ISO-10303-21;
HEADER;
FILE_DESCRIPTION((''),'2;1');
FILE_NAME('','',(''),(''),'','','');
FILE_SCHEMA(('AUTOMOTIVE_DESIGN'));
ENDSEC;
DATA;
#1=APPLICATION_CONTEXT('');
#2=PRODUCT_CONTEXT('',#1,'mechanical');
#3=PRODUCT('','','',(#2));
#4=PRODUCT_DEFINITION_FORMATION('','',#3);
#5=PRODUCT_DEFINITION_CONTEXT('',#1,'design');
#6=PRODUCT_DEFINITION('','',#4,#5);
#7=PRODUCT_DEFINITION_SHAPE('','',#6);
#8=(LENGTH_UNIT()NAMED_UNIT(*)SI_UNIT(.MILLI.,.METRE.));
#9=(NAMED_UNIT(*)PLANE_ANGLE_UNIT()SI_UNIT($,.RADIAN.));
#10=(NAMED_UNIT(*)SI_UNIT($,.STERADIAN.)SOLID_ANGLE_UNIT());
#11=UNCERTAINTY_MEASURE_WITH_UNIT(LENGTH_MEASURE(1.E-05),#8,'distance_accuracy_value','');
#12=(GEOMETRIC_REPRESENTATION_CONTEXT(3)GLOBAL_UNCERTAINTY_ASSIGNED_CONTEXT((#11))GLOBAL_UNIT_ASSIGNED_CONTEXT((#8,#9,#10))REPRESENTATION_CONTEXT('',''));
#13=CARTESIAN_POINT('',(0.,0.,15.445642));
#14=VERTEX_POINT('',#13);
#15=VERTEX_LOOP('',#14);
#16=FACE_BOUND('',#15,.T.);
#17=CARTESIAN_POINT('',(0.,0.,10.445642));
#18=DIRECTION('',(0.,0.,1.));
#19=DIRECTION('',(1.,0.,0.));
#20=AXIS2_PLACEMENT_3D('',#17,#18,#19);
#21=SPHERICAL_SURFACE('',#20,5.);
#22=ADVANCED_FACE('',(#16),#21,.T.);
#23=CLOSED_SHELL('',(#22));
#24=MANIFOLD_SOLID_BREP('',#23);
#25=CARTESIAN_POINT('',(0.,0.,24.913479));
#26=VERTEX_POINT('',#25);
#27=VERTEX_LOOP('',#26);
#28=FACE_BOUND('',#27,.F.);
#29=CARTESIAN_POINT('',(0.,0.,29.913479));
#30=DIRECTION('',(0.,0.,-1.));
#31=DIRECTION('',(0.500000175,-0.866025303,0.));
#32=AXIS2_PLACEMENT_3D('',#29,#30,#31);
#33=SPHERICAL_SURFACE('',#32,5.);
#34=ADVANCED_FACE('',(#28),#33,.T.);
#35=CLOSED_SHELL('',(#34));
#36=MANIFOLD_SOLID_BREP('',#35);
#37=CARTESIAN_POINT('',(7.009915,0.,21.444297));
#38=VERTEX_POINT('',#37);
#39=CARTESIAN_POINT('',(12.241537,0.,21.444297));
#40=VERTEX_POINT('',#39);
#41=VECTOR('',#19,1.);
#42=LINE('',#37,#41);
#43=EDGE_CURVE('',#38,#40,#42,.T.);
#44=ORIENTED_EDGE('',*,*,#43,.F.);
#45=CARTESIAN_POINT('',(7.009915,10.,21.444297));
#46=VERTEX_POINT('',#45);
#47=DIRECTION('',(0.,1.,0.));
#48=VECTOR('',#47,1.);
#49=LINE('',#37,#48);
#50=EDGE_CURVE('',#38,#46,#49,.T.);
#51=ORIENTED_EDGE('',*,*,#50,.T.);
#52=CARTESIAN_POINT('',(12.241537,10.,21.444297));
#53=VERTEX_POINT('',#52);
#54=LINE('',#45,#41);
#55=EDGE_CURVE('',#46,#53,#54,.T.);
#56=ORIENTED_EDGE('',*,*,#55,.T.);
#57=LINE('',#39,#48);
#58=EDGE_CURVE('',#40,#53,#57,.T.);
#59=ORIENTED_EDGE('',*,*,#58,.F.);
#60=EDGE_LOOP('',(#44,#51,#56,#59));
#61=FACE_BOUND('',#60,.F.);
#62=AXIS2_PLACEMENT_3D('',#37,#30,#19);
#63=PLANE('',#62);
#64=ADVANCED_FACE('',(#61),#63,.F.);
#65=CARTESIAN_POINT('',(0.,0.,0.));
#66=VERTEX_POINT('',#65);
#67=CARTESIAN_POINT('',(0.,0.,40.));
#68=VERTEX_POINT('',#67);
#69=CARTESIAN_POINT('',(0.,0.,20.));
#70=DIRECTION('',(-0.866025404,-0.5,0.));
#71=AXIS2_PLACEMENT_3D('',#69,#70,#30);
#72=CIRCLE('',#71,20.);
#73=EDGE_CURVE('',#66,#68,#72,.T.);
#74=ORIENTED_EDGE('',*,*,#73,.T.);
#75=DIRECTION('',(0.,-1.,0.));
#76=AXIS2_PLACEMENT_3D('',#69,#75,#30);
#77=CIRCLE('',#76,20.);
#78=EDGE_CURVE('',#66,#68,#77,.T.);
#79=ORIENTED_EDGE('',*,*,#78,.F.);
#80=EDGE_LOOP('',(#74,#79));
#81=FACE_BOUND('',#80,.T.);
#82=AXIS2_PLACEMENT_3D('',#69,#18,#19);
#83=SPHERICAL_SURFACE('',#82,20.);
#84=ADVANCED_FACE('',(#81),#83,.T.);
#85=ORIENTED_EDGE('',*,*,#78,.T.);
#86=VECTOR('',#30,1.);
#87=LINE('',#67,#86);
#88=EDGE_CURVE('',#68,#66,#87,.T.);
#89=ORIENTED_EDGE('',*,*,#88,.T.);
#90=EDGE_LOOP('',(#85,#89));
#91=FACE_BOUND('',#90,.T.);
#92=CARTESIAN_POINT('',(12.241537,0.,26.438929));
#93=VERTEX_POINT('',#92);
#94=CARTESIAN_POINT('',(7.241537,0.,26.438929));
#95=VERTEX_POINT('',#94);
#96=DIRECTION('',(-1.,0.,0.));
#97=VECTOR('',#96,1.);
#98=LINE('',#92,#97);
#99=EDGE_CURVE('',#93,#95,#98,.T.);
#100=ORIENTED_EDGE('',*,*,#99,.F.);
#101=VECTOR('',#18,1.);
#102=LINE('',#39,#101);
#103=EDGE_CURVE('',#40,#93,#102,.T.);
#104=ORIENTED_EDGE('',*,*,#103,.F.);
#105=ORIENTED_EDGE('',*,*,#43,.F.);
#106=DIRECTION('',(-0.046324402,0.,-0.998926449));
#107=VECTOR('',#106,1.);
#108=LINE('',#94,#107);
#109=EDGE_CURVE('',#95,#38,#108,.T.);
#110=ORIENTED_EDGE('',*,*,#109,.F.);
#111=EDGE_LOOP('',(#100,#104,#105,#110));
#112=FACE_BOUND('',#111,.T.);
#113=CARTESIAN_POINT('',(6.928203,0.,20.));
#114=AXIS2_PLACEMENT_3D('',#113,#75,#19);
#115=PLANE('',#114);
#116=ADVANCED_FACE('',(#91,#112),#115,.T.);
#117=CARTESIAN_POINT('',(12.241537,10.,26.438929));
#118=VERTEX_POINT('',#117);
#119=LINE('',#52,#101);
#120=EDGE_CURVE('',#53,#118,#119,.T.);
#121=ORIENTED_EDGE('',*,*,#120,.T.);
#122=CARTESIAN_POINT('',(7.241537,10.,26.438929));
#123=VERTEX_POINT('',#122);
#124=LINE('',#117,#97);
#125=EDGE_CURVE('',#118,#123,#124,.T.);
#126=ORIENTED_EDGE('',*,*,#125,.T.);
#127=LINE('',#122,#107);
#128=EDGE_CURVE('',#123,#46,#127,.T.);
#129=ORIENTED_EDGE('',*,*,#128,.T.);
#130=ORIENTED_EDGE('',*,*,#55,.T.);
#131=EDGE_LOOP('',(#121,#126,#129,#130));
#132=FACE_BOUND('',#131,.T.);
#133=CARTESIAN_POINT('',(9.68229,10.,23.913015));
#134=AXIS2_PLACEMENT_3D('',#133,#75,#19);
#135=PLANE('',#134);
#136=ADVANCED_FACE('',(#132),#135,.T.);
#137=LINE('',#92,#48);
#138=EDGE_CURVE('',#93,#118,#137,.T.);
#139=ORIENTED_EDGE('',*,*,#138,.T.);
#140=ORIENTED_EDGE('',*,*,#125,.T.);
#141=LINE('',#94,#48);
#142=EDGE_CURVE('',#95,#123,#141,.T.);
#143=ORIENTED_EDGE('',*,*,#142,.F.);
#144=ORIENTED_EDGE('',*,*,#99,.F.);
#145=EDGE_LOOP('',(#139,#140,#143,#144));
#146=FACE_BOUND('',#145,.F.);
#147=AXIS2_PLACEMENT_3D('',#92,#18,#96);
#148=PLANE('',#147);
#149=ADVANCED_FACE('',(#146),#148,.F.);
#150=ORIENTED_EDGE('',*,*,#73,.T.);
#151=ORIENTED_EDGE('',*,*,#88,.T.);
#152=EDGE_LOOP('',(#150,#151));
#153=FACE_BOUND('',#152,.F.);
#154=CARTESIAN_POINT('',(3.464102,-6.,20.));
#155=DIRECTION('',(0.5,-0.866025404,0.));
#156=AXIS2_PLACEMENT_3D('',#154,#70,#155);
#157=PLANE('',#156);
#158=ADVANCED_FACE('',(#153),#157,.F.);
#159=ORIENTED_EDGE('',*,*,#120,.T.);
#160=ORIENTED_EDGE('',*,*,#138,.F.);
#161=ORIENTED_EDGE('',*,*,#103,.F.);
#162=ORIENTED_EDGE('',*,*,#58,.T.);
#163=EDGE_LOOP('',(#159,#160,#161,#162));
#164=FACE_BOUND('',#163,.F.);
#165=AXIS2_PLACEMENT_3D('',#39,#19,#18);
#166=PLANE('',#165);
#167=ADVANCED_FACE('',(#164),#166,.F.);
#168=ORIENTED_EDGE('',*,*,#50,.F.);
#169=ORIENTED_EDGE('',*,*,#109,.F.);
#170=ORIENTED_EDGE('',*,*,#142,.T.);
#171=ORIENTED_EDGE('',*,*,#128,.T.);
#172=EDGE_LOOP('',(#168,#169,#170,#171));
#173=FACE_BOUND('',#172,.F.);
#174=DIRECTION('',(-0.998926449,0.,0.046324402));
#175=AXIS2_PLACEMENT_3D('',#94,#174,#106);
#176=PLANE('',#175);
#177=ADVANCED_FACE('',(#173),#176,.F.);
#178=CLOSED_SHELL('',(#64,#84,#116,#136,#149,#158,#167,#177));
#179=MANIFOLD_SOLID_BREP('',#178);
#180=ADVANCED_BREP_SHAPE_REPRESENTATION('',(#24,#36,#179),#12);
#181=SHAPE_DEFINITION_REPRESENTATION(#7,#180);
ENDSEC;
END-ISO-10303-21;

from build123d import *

# Parameters (mm, degrees)
F1_ANGLE = 300
F3_DEPTH = 10


with BuildPart() as f1:
    # F0 (on Front) → F1 (revolve)
    with BuildSketch(Plane.XZ):
        with BuildLine():
            Line((0, 40), (0, 0))
            ThreePointArc((0, 0), (20, 20), (0, 40))
        make_face()
    revolve(axis=Axis((0, 0, 20), (0, 0, 1)), revolution_arc=F1_ANGLE)

    # F2 (on face) → F3 (cut)
    with BuildSketch(Plane.XZ):
        Polygon((12.241537, 26.438929), (7.241537, 26.438929), (7.009915, 21.444297), (12.241537, 21.444297), align=None)
    extrude(amount=-F3_DEPTH, mode=Mode.SUBTRACT)


with BuildPart() as f5:
    # F4 (on face) → F5 (revolve)
    with BuildSketch(Plane.XZ):
        with BuildLine():
            ThreePointArc((0, 5.445642), (5, 10.445642), (0, 15.445642))
            Line((0, 15.445642), (0, 5.445642))
        make_face()
    revolve(axis=Axis((0, 0, 20), (0, 0, 1)))


with BuildPart() as f7:
    # F6 (on face) → F7 (revolve)
    with BuildSketch(Plane(origin=(0, 0, 0), x_dir=(-0.5, 0.866025, 0), z_dir=(0.866025, 0.5, 0))):
        with BuildLine():
            Line((0, 24.913479), (0, 34.913479))
            ThreePointArc((0, 34.913479), (-5, 29.913479), (0, 24.913479))
        make_face()
    revolve(axis=Axis((0, 0, 20), (0, 0, 1)))


solid = Compound([f1.part, f5.part, f7.part])
